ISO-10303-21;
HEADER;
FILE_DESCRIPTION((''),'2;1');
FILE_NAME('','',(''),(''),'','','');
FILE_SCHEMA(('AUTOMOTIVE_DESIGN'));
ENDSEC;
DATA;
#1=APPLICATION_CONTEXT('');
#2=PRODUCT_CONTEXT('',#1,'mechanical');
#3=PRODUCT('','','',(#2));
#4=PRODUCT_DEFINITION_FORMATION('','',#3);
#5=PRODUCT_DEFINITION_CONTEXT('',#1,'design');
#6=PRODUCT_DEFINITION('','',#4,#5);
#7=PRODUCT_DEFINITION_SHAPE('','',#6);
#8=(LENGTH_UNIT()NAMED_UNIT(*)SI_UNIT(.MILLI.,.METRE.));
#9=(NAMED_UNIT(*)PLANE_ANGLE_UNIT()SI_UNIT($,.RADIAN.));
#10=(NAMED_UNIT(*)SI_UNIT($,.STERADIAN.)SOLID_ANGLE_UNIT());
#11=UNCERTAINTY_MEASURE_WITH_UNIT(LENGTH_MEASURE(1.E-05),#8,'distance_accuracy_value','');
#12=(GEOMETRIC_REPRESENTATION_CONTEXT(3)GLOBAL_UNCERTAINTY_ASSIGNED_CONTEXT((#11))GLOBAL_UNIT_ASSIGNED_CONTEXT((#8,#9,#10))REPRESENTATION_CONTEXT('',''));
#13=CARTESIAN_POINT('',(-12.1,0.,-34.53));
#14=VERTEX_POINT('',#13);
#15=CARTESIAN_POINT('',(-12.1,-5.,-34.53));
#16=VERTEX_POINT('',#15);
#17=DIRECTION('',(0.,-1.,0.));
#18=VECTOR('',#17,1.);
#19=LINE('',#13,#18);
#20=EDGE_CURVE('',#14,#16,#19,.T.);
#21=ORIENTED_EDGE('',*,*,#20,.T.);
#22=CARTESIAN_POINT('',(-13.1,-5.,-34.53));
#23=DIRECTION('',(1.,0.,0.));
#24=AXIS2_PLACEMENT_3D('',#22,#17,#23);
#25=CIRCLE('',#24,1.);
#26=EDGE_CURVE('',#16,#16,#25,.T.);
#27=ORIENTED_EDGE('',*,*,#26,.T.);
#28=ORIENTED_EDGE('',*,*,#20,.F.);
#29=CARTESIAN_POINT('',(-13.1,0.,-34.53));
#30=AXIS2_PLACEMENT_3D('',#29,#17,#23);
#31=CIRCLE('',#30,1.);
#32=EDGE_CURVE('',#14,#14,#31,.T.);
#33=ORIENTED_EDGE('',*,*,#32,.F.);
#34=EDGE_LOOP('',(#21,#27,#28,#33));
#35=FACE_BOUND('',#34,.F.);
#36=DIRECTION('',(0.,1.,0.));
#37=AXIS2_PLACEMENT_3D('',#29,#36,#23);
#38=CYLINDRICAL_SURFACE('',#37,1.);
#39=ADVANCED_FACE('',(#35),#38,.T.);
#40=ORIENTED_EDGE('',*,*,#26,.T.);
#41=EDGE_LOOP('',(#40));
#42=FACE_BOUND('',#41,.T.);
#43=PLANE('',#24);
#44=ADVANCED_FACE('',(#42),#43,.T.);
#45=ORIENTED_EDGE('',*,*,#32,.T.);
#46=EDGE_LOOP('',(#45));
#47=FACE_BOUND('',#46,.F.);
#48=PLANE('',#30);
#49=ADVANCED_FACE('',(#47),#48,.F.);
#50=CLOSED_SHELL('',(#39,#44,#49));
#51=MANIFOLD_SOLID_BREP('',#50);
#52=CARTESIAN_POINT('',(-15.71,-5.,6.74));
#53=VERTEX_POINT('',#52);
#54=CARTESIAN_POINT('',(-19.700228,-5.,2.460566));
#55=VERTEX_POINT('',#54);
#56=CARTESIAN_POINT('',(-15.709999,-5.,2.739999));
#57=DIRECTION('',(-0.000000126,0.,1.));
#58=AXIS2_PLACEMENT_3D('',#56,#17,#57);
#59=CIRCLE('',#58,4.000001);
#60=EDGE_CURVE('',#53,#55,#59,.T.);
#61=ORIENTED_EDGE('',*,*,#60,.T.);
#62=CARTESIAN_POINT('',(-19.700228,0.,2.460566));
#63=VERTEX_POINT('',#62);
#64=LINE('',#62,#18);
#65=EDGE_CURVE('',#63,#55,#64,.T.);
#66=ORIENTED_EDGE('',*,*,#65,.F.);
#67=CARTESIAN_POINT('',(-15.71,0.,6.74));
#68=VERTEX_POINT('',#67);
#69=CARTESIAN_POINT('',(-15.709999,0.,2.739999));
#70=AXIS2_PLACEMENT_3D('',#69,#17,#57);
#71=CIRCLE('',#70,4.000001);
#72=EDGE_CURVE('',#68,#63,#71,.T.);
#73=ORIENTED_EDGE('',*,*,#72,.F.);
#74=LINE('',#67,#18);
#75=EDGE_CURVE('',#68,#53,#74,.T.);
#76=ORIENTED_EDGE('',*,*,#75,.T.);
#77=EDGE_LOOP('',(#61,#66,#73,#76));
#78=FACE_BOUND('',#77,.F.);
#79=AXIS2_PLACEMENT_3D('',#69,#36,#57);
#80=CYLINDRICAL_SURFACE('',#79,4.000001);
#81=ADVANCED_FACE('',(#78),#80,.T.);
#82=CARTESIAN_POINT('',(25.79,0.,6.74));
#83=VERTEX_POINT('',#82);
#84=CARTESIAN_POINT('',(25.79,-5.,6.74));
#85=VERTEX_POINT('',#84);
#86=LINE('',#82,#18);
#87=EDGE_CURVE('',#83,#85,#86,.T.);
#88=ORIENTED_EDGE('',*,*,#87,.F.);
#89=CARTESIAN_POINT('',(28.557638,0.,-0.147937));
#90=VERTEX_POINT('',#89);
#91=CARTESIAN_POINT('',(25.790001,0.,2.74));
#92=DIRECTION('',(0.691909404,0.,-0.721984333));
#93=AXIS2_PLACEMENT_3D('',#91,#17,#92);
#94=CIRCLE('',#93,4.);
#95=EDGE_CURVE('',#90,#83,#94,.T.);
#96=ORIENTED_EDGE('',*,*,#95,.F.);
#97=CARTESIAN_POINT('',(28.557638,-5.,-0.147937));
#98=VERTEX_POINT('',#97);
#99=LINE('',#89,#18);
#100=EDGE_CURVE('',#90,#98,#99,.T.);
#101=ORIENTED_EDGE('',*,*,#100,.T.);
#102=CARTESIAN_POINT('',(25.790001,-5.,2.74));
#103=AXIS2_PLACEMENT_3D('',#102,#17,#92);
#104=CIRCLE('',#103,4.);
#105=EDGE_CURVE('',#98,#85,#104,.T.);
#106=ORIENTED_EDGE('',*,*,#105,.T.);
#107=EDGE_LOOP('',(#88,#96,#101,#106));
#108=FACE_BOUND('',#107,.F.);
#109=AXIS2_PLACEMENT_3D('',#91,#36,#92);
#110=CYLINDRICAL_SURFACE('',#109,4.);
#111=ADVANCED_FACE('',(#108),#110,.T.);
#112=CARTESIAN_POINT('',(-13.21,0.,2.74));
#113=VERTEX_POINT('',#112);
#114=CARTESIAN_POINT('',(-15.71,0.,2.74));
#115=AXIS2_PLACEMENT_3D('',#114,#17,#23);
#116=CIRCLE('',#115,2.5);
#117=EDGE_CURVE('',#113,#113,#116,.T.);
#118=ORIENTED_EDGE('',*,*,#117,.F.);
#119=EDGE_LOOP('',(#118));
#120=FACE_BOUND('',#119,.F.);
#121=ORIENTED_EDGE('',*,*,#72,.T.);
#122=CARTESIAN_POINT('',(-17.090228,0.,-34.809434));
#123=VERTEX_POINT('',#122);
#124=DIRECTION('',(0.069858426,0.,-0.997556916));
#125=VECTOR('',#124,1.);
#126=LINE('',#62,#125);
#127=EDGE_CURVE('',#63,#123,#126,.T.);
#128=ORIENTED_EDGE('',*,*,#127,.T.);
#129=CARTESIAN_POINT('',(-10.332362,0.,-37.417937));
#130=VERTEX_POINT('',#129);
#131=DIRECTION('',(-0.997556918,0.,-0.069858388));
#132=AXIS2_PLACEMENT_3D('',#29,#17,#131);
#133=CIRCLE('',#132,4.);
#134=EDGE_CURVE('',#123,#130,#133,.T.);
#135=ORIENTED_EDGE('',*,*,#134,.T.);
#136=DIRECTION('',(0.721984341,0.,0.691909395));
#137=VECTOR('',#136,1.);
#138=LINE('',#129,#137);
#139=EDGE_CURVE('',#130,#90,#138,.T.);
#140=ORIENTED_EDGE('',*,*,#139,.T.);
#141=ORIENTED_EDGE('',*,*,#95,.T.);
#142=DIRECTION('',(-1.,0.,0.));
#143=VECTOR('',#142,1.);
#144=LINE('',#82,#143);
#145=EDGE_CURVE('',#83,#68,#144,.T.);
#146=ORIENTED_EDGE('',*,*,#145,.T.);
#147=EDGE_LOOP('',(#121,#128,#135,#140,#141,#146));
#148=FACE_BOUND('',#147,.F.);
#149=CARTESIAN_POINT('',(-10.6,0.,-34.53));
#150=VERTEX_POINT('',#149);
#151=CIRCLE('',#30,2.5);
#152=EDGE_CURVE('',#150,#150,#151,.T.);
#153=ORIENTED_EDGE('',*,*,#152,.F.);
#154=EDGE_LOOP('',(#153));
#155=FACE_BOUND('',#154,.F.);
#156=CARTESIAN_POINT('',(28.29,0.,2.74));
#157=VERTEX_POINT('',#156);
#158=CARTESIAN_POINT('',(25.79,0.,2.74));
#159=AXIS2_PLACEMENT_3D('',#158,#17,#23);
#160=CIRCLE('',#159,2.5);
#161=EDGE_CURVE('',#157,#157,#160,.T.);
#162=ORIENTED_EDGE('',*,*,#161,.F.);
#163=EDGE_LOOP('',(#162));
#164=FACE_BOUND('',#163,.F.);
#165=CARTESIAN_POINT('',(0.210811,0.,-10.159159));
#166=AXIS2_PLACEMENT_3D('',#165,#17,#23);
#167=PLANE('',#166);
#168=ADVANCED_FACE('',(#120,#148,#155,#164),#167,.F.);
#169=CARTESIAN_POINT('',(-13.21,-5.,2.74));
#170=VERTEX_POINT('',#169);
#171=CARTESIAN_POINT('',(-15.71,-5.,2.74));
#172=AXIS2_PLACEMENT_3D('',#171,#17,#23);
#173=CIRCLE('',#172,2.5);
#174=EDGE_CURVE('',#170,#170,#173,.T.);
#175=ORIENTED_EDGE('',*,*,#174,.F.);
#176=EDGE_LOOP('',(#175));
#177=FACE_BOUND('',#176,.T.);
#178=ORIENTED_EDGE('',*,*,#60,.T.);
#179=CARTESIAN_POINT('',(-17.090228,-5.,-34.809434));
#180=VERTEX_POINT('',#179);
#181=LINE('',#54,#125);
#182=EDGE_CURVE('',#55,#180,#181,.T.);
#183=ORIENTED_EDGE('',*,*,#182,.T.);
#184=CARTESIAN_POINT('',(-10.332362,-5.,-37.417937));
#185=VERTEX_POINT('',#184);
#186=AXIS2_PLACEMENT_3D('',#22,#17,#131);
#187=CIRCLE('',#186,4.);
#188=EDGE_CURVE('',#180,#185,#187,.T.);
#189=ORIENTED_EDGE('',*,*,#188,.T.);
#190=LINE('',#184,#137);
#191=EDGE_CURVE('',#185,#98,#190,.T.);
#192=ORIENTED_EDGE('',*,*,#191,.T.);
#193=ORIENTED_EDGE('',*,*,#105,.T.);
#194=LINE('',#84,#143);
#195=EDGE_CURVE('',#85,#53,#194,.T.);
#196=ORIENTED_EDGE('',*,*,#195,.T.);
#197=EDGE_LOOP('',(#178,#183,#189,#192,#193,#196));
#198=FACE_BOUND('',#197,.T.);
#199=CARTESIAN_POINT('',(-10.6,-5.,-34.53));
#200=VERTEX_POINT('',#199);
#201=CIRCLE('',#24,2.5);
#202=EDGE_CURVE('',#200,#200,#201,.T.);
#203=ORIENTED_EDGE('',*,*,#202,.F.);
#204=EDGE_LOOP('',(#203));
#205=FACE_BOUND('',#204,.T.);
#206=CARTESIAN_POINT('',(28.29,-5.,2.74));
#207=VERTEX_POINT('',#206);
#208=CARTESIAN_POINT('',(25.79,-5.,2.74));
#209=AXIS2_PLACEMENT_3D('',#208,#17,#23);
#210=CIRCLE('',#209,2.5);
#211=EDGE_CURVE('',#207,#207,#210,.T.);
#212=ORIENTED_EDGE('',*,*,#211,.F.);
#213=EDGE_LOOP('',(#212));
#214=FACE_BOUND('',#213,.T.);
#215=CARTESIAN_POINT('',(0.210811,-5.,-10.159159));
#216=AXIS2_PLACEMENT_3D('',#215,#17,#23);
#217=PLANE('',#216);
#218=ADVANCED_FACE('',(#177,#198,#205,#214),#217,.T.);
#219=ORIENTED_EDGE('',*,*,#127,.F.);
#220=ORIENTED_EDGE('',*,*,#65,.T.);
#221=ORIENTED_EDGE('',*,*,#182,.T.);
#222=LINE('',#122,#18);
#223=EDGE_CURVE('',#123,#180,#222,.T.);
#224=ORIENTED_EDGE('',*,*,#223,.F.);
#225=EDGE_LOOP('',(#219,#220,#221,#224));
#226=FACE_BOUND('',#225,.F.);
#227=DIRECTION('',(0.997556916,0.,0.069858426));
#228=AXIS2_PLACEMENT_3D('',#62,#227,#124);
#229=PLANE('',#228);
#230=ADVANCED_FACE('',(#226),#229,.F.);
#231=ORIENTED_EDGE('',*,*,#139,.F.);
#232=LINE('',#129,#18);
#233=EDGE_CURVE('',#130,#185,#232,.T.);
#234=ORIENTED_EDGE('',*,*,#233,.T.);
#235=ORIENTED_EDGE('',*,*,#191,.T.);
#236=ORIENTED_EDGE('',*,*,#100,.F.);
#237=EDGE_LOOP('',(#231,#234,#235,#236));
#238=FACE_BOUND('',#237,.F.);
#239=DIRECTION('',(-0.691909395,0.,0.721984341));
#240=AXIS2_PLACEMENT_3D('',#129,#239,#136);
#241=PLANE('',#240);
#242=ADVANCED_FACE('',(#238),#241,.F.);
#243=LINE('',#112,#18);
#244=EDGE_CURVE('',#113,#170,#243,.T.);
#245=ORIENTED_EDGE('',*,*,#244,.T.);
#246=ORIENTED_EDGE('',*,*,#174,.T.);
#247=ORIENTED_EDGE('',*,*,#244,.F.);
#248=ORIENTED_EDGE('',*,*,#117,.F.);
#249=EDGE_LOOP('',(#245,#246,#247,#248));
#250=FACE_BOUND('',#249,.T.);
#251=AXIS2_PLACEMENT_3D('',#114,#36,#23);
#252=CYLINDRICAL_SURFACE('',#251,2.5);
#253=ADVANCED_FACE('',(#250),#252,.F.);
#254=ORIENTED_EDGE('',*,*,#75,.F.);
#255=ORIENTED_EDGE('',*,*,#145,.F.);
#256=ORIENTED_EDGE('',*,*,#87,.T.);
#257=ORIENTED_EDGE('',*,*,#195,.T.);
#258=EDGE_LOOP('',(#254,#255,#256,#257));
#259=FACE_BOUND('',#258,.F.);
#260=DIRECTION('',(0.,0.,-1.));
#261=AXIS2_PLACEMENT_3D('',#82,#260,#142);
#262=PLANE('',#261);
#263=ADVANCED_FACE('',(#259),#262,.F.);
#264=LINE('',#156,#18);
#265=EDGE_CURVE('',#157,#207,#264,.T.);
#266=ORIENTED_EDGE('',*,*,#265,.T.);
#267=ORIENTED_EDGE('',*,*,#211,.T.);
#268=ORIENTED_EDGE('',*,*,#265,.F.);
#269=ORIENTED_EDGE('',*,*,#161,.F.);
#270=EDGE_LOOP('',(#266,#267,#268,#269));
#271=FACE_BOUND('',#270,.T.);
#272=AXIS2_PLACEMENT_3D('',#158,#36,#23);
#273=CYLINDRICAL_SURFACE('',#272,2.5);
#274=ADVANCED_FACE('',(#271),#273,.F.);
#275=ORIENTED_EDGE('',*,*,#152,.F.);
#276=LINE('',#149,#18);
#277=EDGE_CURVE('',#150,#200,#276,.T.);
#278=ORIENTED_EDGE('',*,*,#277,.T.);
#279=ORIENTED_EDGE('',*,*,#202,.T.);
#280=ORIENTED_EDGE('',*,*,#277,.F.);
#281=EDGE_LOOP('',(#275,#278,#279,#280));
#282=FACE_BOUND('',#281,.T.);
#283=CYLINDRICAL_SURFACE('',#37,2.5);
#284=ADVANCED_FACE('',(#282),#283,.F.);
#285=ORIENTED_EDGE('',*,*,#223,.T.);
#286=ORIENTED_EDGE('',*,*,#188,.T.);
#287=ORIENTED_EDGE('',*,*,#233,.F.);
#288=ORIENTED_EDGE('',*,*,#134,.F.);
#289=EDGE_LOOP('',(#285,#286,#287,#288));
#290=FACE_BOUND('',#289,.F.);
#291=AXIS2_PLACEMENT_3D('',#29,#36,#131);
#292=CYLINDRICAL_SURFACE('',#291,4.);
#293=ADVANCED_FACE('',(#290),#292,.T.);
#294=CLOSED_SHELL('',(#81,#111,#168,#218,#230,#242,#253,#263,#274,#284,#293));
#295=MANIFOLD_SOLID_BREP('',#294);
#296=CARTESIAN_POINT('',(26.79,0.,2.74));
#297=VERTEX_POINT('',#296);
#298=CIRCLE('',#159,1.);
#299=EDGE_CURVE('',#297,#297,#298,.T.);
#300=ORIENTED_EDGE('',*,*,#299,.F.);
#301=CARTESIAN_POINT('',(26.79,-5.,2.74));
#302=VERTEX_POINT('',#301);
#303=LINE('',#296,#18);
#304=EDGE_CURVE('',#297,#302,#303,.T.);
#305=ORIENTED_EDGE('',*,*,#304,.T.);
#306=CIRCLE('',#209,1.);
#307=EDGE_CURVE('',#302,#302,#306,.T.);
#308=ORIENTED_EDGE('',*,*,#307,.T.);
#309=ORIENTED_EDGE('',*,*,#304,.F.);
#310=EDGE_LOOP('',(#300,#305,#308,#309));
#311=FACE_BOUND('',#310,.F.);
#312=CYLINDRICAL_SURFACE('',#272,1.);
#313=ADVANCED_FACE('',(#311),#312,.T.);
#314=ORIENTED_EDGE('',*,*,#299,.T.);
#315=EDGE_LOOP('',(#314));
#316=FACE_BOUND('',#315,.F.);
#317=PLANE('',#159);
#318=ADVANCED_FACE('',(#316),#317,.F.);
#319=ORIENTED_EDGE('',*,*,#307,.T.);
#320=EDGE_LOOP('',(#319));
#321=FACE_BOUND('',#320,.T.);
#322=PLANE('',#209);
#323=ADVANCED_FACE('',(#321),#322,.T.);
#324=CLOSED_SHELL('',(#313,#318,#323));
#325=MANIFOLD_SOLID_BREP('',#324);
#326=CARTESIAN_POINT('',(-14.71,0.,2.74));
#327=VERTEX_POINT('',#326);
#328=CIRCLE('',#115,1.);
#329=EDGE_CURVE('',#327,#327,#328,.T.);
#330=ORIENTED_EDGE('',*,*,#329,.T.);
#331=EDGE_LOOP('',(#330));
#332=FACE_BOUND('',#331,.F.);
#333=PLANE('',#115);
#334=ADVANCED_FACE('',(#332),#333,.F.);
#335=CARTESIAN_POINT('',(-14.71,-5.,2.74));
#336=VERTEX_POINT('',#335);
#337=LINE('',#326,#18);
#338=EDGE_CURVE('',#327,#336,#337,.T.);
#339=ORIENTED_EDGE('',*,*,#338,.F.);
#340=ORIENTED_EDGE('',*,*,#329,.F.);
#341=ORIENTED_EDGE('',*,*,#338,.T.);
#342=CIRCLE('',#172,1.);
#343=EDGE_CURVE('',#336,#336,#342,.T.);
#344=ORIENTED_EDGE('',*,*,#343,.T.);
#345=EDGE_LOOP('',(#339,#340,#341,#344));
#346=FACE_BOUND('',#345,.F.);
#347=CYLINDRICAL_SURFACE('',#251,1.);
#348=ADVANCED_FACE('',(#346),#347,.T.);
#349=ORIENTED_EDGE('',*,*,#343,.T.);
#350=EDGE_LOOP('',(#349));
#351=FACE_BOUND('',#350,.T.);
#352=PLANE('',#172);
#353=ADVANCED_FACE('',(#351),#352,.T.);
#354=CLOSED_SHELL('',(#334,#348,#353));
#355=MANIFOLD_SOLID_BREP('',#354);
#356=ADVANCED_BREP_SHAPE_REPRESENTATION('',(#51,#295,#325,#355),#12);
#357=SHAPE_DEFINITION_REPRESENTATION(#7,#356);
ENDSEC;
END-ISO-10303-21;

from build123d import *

# Parameters (mm, degrees)
F0_R     = 2.5
F0_R_2   = 1
F1_DEPTH = 5


with BuildPart() as f1:
    # F0 (on Front) → F1 (new body)
    with BuildSketch(Plane.XZ):
        with BuildLine():
            Line((-19.700228, 2.460566), (-17.090228, -34.809434))
            ThreePointArc((-17.090228, -34.809434), (-14.540401, -38.261655), (-10.332362, -37.417937))
            Line((-10.332362, -37.417937), (28.557638, -0.147937))
            ThreePointArc((28.557638, -0.147937), (29.501587, 4.23135), (25.79, 6.74))
            Line((25.79, 6.74), (-15.71, 6.74))
            ThreePointArc((-15.71, 6.74), (-18.635554, 5.467844), (-19.700228, 2.460566))
        make_face()
        with Locations((-13.1, -34.53)):
            Circle(F0_R, mode=Mode.SUBTRACT)
        with Locations((-15.71, 2.74)):
            Circle(F0_R, mode=Mode.SUBTRACT)
        with Locations((25.79, 2.74)):
            Circle(F0_R, mode=Mode.SUBTRACT)
        with Locations((-15.71, 2.74)):
            Circle(F0_R_2)
        with Locations((25.79, 2.74)):
            Circle(F0_R_2)
        with Locations((-13.1, -34.53)):
            Circle(F0_R_2)
    extrude(amount=F1_DEPTH)


solid = f1.part
